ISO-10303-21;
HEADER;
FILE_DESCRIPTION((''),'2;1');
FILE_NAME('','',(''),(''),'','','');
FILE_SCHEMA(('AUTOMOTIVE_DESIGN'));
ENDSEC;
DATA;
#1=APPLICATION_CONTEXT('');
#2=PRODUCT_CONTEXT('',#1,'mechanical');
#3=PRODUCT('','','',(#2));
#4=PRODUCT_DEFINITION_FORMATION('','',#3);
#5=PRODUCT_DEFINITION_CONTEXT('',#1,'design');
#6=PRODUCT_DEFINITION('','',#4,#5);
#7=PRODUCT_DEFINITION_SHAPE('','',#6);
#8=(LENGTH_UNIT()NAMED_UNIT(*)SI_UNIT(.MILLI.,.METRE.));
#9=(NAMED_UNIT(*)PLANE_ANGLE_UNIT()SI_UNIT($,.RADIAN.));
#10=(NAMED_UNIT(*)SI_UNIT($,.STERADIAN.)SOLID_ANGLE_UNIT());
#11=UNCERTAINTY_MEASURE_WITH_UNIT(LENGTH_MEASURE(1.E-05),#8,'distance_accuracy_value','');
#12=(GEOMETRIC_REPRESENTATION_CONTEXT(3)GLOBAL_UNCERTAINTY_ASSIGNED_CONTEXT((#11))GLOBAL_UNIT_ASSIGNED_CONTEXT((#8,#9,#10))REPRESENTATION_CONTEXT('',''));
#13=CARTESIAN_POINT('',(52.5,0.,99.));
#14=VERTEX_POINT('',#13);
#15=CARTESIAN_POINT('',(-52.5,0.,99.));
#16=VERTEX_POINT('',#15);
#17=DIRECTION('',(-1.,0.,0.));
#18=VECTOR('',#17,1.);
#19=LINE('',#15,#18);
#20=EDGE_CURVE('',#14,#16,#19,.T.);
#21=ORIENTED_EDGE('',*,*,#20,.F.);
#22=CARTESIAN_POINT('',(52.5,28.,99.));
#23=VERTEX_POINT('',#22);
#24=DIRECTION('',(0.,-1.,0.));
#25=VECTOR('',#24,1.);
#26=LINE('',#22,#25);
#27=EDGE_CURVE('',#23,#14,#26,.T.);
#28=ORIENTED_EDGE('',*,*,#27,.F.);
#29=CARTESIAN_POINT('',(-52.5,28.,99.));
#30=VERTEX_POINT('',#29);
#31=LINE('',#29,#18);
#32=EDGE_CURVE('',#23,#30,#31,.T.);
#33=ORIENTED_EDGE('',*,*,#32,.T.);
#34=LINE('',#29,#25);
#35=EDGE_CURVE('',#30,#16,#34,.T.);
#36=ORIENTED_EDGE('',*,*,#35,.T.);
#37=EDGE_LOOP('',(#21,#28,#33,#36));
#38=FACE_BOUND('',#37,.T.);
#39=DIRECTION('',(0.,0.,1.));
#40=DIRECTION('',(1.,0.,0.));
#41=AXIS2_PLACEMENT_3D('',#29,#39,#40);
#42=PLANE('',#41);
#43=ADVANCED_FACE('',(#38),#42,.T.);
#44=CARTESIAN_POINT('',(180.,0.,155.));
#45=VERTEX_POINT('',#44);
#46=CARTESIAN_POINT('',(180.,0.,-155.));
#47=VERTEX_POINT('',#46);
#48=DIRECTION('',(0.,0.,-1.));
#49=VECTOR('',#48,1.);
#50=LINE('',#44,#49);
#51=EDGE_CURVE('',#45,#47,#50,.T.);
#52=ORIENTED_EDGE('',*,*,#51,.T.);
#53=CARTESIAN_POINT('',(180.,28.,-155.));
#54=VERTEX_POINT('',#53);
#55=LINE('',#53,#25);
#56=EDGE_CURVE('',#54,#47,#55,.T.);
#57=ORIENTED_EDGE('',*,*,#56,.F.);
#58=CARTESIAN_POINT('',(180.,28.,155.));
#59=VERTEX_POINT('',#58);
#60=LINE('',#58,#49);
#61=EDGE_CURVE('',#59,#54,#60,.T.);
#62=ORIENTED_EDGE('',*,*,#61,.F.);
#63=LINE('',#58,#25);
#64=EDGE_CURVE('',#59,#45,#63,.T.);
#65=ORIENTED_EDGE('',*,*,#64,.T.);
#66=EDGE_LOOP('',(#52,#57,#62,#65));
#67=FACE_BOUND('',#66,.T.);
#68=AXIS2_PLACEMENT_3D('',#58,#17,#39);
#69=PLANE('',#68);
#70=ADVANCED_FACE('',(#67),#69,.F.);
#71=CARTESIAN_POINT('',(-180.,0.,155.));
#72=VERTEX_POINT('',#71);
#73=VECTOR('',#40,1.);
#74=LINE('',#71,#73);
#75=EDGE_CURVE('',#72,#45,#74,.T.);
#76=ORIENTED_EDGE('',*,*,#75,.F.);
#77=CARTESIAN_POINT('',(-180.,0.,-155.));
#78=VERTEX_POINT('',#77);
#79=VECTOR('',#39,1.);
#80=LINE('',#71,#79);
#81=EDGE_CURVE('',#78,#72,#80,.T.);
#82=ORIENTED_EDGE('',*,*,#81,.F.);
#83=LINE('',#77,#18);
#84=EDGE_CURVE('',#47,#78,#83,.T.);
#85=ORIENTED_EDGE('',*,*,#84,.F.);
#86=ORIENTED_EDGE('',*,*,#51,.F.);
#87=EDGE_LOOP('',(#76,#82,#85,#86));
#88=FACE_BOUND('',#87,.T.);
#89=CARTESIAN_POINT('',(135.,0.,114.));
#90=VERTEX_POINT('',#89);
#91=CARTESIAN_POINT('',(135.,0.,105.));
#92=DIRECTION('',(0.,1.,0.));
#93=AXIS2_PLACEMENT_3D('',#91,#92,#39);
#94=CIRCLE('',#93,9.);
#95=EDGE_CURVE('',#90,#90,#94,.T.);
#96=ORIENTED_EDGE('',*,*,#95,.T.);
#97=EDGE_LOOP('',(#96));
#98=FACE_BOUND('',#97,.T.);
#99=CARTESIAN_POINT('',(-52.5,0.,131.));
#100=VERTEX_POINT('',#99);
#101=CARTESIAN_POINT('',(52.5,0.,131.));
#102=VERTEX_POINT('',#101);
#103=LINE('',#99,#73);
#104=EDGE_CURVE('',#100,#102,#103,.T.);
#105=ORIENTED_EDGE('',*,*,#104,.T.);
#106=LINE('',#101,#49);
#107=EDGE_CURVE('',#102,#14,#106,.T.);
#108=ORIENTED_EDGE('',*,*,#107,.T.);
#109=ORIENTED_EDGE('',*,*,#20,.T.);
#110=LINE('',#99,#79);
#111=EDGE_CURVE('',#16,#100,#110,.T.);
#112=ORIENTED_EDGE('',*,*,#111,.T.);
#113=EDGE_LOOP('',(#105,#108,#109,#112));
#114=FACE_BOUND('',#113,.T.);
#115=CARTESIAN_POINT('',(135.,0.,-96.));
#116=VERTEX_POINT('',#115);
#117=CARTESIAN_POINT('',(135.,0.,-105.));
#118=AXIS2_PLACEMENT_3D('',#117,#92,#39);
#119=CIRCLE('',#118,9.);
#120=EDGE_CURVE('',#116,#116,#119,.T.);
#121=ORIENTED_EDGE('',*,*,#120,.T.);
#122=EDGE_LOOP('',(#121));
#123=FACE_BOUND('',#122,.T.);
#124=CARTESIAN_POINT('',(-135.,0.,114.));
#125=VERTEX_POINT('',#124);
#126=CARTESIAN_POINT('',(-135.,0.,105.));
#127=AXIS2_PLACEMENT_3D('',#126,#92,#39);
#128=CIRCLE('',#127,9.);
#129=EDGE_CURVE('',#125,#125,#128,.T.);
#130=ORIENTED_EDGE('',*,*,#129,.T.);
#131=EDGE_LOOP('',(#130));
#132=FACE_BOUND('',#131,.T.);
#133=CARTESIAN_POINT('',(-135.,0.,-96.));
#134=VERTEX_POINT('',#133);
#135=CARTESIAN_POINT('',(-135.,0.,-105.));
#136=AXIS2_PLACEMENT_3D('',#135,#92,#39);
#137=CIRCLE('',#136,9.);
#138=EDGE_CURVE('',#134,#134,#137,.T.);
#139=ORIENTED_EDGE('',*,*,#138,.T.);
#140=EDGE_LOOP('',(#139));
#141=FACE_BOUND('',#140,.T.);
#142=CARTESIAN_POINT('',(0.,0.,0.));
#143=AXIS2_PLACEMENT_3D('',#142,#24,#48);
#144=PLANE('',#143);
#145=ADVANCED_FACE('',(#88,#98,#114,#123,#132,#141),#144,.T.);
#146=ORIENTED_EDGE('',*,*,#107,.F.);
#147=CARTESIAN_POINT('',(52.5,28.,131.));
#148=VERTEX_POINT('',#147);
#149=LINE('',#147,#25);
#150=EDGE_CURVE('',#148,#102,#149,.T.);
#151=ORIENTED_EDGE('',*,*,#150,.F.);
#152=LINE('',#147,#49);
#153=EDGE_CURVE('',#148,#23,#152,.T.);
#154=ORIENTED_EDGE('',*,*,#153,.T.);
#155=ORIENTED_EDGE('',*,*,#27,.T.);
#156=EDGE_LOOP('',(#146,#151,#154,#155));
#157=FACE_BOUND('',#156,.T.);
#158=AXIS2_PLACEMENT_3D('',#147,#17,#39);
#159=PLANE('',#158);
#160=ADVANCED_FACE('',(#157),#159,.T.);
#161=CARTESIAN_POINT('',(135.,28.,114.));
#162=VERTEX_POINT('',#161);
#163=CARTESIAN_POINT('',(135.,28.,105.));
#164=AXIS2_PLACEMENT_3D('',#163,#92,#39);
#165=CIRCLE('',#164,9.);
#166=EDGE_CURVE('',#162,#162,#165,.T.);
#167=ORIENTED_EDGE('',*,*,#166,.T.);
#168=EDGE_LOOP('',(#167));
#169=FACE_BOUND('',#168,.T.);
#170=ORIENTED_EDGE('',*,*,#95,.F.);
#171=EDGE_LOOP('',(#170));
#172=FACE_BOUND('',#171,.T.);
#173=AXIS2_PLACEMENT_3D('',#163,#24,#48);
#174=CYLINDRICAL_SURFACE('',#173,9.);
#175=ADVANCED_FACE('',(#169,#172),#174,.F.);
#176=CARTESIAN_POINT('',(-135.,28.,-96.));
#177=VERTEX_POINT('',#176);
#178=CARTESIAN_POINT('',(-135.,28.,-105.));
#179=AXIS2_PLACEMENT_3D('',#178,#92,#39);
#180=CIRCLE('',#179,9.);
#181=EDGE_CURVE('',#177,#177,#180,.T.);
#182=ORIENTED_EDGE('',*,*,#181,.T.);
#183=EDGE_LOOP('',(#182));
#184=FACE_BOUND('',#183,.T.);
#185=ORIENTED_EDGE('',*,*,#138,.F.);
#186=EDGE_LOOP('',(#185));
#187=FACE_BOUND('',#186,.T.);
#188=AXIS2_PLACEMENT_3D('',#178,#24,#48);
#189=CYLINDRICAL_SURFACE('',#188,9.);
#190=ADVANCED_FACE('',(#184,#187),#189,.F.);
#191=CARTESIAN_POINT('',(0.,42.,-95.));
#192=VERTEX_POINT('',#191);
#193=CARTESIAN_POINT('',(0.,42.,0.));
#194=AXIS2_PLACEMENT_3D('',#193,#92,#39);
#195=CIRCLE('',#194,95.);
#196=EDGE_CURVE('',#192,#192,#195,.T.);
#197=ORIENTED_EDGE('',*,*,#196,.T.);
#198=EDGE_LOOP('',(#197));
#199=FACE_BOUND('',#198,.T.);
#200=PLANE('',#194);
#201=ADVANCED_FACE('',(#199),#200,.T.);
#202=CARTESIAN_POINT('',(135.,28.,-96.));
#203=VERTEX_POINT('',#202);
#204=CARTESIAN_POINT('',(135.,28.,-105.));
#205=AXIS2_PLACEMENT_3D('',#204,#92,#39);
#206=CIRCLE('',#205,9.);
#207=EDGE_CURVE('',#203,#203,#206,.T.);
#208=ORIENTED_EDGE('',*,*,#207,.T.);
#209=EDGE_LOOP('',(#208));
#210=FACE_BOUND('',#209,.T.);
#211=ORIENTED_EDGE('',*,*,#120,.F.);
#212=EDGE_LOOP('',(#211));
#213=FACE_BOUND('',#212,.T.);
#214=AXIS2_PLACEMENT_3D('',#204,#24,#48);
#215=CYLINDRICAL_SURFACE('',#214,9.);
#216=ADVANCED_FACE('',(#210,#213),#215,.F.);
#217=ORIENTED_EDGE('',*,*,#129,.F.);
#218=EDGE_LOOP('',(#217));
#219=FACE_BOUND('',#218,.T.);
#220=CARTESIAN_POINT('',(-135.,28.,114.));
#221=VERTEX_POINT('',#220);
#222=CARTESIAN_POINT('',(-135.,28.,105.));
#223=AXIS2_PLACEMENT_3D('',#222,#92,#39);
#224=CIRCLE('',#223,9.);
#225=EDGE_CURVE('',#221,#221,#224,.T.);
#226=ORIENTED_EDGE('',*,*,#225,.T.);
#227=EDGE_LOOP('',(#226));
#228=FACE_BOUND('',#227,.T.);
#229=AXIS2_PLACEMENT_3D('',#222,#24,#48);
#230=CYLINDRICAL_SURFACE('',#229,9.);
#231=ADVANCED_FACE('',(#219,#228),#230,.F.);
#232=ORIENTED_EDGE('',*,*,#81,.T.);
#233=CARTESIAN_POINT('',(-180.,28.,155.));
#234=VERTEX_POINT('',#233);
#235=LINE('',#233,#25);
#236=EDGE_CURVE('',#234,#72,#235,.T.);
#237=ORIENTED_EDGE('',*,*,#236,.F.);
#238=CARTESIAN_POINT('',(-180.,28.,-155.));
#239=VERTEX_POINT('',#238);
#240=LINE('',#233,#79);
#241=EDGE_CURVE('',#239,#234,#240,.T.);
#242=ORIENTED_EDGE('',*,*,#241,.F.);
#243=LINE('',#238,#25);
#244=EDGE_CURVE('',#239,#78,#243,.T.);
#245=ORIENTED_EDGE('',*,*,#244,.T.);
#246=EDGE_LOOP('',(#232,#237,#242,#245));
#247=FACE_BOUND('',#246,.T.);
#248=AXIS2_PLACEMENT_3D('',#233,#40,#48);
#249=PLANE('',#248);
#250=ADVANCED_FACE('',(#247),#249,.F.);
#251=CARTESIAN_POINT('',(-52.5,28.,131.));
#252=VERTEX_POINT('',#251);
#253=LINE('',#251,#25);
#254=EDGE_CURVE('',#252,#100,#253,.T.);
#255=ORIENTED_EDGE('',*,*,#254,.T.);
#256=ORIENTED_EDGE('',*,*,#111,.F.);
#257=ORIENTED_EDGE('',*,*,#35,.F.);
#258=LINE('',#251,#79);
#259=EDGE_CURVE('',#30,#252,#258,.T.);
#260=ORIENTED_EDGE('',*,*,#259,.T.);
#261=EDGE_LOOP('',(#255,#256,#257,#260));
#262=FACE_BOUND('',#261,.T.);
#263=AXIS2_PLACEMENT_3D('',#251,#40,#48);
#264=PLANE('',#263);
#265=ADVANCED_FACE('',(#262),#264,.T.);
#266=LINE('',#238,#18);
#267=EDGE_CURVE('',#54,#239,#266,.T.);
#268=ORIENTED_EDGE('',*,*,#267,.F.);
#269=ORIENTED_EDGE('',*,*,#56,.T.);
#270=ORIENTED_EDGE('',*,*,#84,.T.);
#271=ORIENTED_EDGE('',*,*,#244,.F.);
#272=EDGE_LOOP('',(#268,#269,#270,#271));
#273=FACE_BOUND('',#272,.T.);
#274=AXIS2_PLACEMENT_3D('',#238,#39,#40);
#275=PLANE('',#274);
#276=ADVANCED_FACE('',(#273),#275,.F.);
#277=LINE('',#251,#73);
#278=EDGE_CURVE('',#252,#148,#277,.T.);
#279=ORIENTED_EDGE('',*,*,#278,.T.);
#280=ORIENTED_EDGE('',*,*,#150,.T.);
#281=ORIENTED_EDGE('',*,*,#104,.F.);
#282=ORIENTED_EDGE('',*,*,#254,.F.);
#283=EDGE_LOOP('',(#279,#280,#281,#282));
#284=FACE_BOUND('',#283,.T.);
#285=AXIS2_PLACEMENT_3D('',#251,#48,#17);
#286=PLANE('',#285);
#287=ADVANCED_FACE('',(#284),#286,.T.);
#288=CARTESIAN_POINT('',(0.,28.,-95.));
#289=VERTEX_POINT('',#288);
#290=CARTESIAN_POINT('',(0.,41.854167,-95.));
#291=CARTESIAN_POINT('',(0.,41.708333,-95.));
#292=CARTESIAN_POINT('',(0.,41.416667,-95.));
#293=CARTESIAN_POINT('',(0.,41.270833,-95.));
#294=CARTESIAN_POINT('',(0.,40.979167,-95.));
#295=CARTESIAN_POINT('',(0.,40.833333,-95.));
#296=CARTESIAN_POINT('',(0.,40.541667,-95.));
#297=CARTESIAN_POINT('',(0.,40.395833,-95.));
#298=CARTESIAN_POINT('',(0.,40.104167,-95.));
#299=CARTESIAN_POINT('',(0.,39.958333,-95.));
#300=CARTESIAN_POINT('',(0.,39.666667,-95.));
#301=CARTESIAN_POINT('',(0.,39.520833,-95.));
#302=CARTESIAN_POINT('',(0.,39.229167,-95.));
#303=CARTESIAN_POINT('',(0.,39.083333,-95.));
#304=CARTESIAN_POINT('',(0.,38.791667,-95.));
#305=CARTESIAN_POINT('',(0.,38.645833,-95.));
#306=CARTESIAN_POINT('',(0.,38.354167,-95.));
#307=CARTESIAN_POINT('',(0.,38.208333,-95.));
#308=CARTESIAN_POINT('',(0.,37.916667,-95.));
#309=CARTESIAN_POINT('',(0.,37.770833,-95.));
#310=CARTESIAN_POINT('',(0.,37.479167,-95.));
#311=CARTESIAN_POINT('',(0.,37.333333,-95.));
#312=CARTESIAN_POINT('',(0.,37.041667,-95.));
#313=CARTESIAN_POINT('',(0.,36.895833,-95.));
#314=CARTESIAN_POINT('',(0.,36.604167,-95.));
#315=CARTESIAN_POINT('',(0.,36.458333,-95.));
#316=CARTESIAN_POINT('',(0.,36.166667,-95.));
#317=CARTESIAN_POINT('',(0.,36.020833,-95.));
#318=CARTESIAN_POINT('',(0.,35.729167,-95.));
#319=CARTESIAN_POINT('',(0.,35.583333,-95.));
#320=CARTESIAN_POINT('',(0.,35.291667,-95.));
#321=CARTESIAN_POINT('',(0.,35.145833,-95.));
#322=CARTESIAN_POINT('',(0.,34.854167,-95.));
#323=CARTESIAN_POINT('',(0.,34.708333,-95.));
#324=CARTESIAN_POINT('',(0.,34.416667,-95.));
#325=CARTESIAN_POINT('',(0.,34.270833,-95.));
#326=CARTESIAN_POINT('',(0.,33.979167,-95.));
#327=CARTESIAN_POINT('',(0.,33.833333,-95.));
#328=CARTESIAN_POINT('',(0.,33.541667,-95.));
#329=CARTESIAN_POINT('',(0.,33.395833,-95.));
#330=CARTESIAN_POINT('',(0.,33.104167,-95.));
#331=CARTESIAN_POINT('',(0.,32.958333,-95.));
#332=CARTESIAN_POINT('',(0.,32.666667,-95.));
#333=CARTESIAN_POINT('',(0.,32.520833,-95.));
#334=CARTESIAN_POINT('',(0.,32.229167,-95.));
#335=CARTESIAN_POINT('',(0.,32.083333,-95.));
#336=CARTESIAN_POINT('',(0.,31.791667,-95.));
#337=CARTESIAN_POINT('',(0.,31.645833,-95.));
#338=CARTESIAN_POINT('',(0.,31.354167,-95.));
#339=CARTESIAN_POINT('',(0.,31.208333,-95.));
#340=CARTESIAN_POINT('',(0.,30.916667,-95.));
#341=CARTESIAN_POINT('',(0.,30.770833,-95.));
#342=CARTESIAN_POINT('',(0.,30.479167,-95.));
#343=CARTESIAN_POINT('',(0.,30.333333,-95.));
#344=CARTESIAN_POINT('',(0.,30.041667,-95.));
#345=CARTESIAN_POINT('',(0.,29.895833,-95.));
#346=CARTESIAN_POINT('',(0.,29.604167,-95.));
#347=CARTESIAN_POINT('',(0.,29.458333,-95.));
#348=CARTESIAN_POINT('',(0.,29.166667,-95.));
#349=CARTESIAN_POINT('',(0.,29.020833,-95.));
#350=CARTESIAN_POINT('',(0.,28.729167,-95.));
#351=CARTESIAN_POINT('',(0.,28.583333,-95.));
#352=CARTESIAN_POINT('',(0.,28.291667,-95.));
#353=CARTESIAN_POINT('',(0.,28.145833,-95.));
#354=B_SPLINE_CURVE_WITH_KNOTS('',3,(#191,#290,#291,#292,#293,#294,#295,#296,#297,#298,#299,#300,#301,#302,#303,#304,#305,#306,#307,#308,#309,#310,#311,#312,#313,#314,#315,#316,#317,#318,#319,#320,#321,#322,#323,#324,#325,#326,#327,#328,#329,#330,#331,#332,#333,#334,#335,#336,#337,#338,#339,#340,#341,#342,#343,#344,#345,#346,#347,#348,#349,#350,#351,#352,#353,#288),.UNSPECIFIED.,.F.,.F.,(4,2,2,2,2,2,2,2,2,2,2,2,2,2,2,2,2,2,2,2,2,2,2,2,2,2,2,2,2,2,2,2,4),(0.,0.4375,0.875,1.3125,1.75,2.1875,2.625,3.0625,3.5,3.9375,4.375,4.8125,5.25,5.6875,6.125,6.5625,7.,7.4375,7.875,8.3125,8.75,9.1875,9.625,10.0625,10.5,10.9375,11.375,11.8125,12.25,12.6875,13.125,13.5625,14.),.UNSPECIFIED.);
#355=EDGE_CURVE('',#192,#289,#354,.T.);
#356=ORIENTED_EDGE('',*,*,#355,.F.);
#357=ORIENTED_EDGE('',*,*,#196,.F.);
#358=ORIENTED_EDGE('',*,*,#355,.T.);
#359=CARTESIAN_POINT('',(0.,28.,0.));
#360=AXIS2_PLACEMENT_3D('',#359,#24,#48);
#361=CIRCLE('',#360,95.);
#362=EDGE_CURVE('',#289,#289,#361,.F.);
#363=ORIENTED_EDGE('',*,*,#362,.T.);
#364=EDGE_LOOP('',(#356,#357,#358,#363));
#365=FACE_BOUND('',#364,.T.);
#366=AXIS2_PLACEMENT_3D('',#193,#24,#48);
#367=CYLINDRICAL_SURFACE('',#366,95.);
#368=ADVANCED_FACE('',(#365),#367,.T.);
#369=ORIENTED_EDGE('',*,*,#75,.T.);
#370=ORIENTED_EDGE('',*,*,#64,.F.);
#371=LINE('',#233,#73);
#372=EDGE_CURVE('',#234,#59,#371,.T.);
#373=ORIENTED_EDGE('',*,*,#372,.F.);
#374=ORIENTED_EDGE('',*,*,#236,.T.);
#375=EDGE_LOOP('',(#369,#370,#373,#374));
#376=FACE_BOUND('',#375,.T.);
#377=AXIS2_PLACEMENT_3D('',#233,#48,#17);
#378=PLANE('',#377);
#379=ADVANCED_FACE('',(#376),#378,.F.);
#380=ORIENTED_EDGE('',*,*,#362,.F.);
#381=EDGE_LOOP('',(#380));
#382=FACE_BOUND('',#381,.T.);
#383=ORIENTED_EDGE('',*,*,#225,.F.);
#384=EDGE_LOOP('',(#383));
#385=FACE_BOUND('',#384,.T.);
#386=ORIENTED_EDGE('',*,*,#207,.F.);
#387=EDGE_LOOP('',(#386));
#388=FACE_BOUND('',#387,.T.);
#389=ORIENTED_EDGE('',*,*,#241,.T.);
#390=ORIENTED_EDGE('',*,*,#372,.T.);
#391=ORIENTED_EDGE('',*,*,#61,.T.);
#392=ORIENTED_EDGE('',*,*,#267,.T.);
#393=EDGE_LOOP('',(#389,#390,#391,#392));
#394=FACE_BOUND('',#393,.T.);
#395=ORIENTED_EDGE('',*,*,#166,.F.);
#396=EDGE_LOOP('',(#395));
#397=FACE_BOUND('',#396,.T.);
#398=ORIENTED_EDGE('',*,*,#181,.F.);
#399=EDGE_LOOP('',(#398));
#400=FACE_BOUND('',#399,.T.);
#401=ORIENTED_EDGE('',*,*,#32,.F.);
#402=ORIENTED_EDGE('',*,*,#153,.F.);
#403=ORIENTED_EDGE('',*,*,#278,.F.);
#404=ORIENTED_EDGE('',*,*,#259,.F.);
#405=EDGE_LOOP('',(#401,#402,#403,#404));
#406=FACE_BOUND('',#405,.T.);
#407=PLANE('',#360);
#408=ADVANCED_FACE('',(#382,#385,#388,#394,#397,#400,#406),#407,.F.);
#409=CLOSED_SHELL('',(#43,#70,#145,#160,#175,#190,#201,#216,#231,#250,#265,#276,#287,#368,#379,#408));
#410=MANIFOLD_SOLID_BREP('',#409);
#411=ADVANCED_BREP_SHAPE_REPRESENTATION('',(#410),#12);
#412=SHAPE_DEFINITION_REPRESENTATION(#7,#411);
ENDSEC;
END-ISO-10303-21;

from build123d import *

# Parameters (mm, degrees)
F_01_BASE_PROFILE_W           = 360
F_01_BASE_PROFILE_H           = 310
F_01_BASE_PROFILE_R           = 62.5
F_01_BASE_PROFILE_R_2         = 9
F_01_BASE_PROFILE_W_2         = 105
F_01_BASE_PROFILE_H_2         = 32
F_01_BASE_EXTRUDE_DEPTH       = 28
F_02_BOSS_PROFILE_R           = 95
F_02_REINFORCEMENT_BOSS_DEPTH = 42


with BuildPart() as part:
    # 01_Base_Profile → 01_Base_Extrude (new body)
    with BuildSketch(Plane(origin=(0, 0, 0), x_dir=(1, 0, 0), z_dir=(0, 1, 0))):
        Rectangle(F_01_BASE_PROFILE_W, F_01_BASE_PROFILE_H)
        with Locations(Location((0, 0, 0), (0, 0, 270))):
            Circle(F_01_BASE_PROFILE_R, mode=Mode.SUBTRACT)
        with Locations(Location((-135, -105, 0), (0, 0, 270))):
            Circle(F_01_BASE_PROFILE_R_2, mode=Mode.SUBTRACT)
        with Locations(Location((135, -105, 0), (0, 0, 270))):
            Circle(F_01_BASE_PROFILE_R_2, mode=Mode.SUBTRACT)
        with Locations(Location((-135, 105, 0), (0, 0, 270))):
            Circle(F_01_BASE_PROFILE_R_2, mode=Mode.SUBTRACT)
        with Locations(Location((135, 105, 0), (0, 0, 270))):
            Circle(F_01_BASE_PROFILE_R_2, mode=Mode.SUBTRACT)
        with Locations((0, -115)):
            Rectangle(F_01_BASE_PROFILE_W_2, F_01_BASE_PROFILE_H_2, mode=Mode.SUBTRACT)
    extrude(amount=F_01_BASE_EXTRUDE_DEPTH)

    # 02_Boss_Profile → 02_Reinforcement_Boss (add)
    with BuildSketch(Plane(origin=(0, 0, 0), x_dir=(1, 0, 0), z_dir=(0, 1, 0))):
        with Locations(Location((0, 0, 0), (0, 0, 90))):
            Circle(F_02_BOSS_PROFILE_R)
    extrude(amount=F_02_REINFORCEMENT_BOSS_DEPTH)


solid = part.part
